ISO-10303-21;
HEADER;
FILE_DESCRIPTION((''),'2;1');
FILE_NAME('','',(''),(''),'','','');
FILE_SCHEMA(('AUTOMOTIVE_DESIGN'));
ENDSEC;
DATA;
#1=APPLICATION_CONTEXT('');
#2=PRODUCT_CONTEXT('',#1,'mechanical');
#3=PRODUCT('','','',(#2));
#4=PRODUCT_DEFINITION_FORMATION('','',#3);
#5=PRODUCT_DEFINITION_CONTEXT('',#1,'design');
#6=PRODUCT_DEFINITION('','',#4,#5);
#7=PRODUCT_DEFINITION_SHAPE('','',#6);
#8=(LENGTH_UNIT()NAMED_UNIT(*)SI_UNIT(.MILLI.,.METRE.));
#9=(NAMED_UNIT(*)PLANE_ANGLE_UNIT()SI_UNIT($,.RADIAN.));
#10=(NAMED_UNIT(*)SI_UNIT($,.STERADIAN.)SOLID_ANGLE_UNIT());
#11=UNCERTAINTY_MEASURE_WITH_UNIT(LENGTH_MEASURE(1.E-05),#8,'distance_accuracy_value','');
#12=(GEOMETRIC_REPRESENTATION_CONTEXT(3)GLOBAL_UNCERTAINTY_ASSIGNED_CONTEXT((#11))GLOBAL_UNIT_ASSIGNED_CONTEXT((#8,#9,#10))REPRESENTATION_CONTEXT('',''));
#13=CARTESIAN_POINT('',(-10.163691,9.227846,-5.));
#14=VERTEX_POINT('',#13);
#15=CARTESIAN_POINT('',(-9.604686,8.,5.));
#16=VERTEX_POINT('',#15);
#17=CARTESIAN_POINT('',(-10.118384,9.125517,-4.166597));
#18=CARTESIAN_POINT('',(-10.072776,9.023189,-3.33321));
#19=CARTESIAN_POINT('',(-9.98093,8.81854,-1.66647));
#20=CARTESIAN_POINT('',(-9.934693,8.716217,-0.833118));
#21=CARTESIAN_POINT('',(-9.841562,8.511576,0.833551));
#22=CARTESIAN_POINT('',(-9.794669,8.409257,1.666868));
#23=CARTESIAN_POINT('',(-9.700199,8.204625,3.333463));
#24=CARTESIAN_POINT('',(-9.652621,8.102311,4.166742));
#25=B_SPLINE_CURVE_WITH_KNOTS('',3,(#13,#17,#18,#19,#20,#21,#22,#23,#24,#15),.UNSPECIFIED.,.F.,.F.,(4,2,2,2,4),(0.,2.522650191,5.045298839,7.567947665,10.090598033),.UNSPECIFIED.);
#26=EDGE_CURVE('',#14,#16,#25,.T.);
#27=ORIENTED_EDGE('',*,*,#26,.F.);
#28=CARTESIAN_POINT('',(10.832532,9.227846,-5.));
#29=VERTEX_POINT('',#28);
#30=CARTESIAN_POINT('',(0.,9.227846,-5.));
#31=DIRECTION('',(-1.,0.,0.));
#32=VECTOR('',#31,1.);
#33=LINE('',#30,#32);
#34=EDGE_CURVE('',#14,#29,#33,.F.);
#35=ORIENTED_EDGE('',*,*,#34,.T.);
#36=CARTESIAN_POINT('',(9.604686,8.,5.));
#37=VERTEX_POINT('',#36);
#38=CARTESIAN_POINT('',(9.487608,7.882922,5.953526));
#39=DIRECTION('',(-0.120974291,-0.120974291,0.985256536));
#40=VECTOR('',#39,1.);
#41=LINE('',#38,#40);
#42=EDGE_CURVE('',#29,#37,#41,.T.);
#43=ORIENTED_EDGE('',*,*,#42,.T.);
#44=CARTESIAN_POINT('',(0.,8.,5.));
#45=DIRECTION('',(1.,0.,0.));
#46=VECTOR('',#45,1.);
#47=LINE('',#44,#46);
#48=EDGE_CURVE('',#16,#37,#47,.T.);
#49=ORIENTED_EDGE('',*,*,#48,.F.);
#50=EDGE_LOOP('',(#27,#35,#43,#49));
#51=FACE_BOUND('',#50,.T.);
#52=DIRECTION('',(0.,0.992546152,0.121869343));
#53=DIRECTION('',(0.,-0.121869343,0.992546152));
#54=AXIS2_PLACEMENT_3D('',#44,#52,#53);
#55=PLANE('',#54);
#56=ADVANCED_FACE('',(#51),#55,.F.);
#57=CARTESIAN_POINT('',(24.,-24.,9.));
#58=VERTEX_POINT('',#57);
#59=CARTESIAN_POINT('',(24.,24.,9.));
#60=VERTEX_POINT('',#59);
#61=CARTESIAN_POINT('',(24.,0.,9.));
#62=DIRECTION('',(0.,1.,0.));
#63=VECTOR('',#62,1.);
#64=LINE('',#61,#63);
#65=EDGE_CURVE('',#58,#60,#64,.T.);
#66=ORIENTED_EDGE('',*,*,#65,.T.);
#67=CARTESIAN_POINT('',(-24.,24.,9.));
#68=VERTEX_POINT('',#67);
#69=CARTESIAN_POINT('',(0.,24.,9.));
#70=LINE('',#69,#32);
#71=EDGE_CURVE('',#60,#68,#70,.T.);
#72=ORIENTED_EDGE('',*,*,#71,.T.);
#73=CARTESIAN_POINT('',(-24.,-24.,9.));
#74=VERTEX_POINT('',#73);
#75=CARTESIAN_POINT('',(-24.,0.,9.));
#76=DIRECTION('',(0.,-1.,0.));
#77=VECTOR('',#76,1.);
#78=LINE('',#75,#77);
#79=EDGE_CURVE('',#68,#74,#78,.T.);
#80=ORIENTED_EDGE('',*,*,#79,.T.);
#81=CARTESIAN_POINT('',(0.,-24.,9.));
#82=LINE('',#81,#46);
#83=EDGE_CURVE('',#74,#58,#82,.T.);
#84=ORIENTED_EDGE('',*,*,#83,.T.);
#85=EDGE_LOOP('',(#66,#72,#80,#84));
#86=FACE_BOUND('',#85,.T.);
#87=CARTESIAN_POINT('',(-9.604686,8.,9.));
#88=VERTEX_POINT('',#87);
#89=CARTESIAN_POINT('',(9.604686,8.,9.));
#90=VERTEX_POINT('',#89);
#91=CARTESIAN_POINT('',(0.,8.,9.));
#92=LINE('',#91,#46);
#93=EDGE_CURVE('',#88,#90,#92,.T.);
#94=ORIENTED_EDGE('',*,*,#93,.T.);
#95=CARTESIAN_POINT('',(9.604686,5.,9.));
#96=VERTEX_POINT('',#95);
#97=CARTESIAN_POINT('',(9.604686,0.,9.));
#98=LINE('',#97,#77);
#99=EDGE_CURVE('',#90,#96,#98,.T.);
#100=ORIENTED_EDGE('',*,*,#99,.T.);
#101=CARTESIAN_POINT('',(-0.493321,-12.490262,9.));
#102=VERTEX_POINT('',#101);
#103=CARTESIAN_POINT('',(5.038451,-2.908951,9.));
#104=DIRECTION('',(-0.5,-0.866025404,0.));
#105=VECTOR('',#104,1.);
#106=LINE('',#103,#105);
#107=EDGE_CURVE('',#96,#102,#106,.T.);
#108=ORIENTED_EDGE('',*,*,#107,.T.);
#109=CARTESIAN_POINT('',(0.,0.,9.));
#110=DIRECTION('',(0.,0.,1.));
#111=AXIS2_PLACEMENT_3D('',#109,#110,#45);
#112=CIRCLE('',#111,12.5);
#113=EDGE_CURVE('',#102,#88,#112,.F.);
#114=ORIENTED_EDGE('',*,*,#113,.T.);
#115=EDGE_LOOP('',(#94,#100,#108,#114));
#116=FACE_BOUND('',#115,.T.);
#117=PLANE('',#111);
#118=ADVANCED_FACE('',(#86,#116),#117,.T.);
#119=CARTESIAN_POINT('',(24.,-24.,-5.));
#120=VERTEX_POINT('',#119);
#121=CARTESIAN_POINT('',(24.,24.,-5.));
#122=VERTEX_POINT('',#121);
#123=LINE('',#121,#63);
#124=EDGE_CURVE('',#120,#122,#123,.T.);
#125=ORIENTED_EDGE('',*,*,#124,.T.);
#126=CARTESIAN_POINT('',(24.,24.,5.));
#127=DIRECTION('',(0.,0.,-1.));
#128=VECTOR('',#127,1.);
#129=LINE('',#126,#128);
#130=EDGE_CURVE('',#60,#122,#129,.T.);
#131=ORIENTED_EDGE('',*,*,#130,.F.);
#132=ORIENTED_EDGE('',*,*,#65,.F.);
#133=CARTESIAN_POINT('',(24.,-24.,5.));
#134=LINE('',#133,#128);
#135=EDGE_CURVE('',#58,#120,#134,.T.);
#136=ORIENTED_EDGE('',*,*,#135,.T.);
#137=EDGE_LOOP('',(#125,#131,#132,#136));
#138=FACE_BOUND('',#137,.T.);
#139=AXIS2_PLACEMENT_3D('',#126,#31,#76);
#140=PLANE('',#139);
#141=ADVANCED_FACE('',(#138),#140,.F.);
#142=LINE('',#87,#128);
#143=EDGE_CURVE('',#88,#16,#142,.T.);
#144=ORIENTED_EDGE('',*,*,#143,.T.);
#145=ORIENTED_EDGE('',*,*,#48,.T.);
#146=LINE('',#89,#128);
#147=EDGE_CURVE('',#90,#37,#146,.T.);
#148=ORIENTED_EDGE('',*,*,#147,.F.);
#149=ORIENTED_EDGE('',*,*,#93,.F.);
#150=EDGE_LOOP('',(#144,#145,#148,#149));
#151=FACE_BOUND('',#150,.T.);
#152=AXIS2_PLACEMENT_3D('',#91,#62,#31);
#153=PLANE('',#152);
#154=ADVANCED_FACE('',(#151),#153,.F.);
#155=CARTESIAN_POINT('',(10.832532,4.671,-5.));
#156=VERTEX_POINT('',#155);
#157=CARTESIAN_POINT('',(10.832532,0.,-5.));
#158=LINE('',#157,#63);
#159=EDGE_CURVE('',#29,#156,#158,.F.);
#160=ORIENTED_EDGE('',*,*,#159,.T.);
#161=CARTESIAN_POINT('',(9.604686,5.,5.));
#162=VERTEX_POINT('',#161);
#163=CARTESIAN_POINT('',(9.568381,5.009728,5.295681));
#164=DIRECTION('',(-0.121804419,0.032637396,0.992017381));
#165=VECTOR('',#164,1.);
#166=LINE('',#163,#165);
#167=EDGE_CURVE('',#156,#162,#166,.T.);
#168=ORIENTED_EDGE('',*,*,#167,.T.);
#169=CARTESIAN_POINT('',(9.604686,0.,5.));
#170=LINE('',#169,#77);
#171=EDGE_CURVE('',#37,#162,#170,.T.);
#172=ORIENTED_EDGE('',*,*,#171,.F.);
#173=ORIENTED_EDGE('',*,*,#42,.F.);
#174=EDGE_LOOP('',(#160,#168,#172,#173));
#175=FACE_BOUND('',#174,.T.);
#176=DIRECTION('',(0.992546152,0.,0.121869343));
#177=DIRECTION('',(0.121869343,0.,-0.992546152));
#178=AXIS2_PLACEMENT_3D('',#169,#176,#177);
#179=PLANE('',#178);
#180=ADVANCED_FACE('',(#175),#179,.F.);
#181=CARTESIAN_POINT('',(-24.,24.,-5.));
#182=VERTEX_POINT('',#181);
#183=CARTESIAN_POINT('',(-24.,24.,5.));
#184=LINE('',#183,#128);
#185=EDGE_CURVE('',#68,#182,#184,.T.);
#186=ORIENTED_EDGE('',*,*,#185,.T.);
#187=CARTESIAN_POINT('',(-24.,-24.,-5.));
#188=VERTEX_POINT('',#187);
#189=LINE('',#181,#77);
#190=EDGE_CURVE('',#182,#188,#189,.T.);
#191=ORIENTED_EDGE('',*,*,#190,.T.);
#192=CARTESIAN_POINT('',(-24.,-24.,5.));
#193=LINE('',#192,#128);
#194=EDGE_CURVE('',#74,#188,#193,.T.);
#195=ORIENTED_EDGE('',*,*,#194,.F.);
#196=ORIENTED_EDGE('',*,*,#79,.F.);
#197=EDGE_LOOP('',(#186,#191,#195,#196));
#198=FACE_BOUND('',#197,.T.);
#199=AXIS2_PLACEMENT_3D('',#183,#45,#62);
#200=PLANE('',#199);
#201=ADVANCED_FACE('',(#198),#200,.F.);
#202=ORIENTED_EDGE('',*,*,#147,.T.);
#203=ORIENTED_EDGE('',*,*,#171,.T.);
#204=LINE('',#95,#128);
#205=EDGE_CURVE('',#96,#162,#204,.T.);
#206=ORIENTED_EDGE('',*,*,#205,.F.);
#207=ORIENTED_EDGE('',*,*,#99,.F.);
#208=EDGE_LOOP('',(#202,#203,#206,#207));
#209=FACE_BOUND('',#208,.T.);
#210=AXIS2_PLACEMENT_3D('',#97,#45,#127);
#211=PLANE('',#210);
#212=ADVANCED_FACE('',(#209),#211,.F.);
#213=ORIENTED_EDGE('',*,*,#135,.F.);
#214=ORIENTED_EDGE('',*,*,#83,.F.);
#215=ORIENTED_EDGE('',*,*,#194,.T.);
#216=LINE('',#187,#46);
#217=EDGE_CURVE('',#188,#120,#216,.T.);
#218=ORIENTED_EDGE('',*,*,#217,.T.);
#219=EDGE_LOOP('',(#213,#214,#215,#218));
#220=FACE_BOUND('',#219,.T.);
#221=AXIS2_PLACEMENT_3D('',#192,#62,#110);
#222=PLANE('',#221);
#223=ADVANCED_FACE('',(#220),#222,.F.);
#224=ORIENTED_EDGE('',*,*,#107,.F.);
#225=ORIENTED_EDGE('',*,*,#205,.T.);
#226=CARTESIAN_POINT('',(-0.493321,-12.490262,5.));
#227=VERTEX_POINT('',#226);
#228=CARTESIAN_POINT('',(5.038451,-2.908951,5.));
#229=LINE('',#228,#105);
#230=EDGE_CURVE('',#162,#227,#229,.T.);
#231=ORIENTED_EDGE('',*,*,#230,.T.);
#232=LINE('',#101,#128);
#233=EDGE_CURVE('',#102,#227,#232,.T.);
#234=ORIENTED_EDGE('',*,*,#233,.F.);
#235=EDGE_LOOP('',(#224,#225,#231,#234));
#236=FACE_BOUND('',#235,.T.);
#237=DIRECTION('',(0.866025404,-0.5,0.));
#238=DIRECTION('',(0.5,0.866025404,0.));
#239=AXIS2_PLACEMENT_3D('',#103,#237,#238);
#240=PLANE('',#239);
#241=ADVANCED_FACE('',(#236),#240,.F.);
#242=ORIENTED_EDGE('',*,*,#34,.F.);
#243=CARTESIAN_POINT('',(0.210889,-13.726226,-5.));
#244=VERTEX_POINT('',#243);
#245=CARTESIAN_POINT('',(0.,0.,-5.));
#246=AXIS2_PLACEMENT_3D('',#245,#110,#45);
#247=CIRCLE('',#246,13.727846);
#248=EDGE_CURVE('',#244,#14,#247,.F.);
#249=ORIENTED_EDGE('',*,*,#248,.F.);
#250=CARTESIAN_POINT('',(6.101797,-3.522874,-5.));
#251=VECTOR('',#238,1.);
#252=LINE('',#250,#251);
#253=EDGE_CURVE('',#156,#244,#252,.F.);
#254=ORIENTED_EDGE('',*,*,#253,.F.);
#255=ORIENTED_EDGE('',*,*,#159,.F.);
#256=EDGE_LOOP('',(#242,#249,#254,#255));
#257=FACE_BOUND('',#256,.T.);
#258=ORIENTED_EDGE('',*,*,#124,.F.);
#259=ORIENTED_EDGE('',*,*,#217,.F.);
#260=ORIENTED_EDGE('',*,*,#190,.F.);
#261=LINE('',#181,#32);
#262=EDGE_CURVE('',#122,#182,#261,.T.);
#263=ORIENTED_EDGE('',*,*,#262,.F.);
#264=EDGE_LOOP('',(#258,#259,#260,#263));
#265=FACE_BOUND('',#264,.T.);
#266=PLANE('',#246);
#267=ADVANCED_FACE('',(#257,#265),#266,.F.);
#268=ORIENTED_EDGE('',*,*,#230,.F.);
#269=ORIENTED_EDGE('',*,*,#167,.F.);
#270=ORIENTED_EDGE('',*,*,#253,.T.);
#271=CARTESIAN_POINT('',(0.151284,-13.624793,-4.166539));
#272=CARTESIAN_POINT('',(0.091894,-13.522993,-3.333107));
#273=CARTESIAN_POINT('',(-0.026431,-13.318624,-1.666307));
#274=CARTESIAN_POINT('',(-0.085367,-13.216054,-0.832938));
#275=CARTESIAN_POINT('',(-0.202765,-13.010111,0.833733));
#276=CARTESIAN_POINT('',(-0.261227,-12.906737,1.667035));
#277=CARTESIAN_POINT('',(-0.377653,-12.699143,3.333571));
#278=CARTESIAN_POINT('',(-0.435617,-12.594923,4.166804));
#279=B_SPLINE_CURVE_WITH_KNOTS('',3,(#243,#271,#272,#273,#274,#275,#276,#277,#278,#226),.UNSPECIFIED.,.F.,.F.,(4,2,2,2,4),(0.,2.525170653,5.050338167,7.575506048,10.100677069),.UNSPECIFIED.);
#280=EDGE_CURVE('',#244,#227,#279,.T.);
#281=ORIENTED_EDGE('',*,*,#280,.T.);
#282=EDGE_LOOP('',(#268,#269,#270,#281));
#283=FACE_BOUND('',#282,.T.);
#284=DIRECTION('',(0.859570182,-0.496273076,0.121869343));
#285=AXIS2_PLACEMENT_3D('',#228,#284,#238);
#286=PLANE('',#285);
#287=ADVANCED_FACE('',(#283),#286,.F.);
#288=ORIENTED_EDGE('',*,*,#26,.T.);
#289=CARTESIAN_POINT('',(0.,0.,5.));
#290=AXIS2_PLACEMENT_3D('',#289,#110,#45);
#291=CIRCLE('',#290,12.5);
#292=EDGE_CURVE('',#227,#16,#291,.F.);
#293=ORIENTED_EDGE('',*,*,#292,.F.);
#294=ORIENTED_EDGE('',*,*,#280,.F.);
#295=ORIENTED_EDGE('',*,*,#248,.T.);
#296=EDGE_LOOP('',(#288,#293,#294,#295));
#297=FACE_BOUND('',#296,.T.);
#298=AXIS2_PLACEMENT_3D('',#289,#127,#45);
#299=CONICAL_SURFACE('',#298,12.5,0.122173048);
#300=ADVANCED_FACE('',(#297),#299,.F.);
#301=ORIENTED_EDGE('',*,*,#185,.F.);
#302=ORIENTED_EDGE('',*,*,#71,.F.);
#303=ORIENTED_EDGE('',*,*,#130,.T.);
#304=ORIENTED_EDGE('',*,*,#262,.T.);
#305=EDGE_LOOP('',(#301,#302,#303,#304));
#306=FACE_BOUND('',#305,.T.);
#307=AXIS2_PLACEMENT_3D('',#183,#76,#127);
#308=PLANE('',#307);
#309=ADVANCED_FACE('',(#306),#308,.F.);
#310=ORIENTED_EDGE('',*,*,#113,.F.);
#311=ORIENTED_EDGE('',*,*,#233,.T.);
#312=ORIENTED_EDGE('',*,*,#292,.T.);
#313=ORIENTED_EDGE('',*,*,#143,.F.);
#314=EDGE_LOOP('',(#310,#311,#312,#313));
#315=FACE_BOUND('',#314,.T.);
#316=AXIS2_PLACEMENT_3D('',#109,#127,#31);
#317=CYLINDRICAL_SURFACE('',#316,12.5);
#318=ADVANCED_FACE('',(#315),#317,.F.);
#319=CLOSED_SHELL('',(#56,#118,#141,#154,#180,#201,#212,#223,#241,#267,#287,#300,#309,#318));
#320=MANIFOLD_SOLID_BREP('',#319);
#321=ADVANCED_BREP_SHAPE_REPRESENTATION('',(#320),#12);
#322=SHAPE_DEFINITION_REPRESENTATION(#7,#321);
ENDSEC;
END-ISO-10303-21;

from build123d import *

# Parameters (mm, degrees)
CROQUIS1_W              = 48
CROQUIS1_H              = 48
SALIENTE_EXTRUIR1_DEPTH = 5
CORTAR_EXTRUIR1_DEPTH   = 11
CORTAR_EXTRUIR1_DRAFT   = 7
CROQUIS3_W              = 48
CROQUIS3_H              = 48
SALIENTE_EXTRUIR2_DEPTH = 4


with BuildPart() as part:
    # Croquis1 → Saliente-Extruir1 (new, symmetric)
    with BuildSketch(Plane.XY):
        Rectangle(CROQUIS1_W, CROQUIS1_H)
    extrude(amount=SALIENTE_EXTRUIR1_DEPTH, both=True)


with BuildPart() as cortar_extruir1_tool:
    # Croquis2 → Cortar-Extruir1 (with draft: the straight prism first)
    with BuildSketch(Plane.XY.offset(5)):
        with BuildLine():
            ThreePointArc((-9.604686356, 8), (-11.421696131, -5.078863799), (-0.493320879, -12.490261587))
            Line((-0.493320879, -12.490261587), (9.604686356, 5))
            Line((9.604686356, 5), (9.604686356, 8))
            Line((9.604686356, 8), (-9.604686356, 8))
        make_face()
    extrude(amount=-CORTAR_EXTRUIR1_DEPTH)
    # Cortar-Extruir1: the draft: its side faces are tilted about the plane it starts from
    cortar_extruir1_sides = [cortar_extruir1_tool.faces().sort_by_distance(p)[0] for p in [
        (4.555682738, -3.745130793, -0.5),
        (9.604686356, 6.5, -0.5),
        (0, 8, -0.5),
        (-11.421696131, -5.078863799, -0.5),
    ]]
    draft(cortar_extruir1_sides, Plane.XY.offset(5), CORTAR_EXTRUIR1_DRAFT)


with BuildPart() as part_1:
    add(part.part)

    # Cortar-Extruir1: cut by cortar_extruir1_tool
    add(cortar_extruir1_tool.part, mode=Mode.SUBTRACT)

    # Croquis3 → Saliente-Extruir2 (add)
    with BuildSketch(Plane.XY.offset(5)):
        Rectangle(CROQUIS3_W, CROQUIS3_H)
        with BuildLine():
            Line((9.604686356, 8), (9.604686356, 5))
            Line((9.604686356, 5), (-0.493320879, -12.490261587))
            ThreePointArc((-0.493320879, -12.490261587), (-11.421696131, -5.078863799), (-9.604686356, 8))
            Line((-9.604686356, 8), (9.604686356, 8))
        make_face(mode=Mode.SUBTRACT)
    extrude(amount=SALIENTE_EXTRUIR2_DEPTH)


solid = part_1.part
